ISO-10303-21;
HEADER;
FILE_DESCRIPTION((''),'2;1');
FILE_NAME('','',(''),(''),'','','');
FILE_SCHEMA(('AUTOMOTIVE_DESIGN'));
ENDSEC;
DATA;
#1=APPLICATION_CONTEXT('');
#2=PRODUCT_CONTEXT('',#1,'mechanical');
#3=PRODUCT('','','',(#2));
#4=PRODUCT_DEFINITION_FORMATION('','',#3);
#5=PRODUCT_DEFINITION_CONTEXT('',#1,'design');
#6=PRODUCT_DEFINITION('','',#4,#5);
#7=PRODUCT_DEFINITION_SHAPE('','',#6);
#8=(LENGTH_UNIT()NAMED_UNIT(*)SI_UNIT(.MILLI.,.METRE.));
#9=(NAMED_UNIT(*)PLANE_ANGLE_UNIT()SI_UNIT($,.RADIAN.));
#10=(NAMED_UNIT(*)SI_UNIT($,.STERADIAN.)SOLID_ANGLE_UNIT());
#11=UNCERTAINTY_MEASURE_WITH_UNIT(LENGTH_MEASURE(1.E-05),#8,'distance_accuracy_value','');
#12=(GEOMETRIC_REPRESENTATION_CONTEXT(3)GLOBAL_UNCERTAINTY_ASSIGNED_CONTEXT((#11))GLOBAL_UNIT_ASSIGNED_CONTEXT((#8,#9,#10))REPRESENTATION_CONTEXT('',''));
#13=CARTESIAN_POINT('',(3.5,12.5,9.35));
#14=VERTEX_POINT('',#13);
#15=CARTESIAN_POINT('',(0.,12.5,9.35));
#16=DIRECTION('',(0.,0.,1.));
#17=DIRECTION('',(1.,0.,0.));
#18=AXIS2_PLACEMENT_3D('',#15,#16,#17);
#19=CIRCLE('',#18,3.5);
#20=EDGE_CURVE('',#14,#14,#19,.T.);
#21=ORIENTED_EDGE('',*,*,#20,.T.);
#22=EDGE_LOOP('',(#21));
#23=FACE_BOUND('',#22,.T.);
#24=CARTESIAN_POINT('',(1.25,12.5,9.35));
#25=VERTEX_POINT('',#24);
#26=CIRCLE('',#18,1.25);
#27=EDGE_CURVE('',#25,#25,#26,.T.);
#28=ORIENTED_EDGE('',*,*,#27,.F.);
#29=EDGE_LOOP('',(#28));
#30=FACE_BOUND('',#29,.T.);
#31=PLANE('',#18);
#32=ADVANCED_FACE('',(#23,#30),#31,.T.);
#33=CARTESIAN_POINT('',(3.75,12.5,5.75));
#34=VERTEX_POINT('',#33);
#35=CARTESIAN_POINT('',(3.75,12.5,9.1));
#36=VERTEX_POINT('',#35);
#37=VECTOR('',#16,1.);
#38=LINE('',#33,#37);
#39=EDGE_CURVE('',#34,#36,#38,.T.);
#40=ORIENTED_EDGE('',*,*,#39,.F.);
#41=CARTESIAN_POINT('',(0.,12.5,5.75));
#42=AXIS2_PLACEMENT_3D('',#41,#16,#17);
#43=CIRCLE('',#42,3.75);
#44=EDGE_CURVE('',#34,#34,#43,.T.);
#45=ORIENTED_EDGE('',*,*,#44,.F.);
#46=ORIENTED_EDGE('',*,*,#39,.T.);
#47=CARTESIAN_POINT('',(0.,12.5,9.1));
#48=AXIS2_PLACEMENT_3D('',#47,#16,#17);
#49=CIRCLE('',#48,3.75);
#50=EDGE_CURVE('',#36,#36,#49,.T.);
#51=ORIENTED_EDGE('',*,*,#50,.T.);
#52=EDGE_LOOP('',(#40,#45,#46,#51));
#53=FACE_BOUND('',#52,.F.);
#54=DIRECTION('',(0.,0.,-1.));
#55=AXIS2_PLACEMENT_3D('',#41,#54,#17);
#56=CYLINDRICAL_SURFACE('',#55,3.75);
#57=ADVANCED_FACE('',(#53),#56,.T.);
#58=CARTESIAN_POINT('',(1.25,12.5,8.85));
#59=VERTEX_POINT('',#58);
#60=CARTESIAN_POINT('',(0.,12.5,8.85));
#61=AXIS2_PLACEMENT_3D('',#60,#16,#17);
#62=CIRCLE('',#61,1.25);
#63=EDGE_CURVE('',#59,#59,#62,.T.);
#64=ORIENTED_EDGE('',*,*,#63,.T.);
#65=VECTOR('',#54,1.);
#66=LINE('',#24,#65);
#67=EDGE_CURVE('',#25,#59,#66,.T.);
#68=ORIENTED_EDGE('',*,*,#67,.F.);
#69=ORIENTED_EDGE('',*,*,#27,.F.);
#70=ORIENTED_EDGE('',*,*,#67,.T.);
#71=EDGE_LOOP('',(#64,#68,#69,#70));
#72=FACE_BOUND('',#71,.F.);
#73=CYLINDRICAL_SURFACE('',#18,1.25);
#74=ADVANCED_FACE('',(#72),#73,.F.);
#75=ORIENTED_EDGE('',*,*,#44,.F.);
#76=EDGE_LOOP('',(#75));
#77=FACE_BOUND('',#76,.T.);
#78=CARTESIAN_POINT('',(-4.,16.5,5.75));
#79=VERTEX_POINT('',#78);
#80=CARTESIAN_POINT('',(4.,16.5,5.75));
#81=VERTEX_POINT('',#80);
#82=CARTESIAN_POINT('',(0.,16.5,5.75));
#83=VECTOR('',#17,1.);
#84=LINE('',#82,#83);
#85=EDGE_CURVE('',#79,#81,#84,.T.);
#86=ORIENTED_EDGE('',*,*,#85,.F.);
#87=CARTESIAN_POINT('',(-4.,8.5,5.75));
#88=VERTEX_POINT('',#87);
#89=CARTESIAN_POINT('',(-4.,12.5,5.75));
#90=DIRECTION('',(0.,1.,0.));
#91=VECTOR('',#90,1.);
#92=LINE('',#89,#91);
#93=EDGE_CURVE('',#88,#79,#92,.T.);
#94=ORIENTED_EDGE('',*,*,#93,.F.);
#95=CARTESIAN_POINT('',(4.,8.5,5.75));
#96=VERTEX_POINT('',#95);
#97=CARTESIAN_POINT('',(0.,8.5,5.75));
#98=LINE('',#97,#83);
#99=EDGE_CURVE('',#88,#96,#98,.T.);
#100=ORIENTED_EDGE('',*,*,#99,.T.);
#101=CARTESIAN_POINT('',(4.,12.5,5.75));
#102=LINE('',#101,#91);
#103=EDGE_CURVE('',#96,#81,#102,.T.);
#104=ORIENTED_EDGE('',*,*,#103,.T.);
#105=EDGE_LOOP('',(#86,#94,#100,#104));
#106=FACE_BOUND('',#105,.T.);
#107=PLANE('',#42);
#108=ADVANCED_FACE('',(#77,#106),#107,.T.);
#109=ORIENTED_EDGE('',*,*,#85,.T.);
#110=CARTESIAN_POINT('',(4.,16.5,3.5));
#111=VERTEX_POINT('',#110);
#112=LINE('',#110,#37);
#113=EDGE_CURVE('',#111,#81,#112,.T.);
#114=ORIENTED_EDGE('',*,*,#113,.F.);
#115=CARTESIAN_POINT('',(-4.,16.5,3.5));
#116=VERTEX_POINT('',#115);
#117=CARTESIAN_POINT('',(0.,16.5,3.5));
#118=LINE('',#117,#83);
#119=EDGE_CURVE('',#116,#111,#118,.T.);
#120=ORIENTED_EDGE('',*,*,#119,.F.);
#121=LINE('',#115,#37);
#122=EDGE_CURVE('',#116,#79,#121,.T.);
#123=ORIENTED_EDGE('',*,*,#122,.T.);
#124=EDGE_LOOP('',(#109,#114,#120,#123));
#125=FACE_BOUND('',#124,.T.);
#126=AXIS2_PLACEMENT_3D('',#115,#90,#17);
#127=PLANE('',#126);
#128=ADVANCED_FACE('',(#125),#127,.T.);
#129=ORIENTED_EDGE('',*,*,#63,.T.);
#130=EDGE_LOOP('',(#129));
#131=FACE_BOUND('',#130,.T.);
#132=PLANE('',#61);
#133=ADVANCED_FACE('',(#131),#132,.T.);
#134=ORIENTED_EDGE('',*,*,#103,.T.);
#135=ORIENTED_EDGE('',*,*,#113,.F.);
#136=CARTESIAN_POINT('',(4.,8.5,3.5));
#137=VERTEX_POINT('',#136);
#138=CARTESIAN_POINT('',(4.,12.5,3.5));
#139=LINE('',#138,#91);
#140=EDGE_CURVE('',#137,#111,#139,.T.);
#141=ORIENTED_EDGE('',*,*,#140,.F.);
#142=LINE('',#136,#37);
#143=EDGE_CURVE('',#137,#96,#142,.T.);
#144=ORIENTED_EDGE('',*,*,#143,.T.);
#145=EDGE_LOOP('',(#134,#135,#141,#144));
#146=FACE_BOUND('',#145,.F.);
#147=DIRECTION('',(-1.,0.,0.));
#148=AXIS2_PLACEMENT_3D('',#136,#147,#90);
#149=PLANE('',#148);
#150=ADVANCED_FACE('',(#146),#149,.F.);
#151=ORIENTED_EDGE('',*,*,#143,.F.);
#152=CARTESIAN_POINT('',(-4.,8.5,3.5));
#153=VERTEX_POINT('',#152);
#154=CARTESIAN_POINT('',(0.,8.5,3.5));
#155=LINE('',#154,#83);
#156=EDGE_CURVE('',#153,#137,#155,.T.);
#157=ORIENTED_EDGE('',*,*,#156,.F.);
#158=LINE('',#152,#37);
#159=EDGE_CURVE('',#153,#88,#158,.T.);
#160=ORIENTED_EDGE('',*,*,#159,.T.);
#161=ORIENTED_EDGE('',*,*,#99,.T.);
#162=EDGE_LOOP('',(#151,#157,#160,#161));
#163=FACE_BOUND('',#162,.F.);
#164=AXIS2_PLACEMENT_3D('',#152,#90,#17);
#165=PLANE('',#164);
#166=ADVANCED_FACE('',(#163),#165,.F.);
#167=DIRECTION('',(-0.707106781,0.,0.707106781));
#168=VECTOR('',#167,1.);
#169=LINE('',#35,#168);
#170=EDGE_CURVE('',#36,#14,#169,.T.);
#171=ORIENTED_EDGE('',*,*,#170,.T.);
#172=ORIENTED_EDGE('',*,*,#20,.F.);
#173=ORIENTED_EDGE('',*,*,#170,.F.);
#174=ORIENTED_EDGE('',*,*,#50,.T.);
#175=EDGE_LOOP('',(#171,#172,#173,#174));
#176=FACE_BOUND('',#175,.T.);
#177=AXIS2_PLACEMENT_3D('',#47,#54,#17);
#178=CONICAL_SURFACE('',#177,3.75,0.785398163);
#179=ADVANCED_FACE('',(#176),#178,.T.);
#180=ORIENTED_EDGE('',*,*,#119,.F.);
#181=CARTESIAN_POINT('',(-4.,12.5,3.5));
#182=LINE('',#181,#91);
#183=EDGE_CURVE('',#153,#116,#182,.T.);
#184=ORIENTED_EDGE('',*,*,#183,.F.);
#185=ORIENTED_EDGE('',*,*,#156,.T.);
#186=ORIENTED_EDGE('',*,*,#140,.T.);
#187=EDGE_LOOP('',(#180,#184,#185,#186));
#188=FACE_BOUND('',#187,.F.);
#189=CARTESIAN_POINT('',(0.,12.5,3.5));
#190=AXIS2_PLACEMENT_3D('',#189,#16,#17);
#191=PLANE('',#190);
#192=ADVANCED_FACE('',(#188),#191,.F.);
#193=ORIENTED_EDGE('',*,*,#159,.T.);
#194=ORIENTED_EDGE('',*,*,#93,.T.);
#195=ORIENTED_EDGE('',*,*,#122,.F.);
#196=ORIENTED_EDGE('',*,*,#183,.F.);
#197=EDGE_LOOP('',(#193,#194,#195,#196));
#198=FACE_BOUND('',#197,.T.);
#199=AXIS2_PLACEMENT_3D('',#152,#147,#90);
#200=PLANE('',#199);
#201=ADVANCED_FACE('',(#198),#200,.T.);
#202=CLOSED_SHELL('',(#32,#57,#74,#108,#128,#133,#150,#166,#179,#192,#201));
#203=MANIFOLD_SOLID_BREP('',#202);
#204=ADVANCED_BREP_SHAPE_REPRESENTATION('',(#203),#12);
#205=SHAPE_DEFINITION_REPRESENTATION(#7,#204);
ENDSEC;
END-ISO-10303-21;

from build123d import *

# Parameters (mm, degrees)
SKETCH005_W     = 8
SKETCH005_H     = 8
PAD003_DEPTH    = 2.25
SKETCH006_R     = 3.75
PAD004_DEPTH    = 3.6
SKETCH007_R     = 1.25
POCKET001_DEPTH = 0.5
CHAMFER001_SIZE = 0.25


with BuildPart() as part:
    # Sketch005 (on Face1 of CopyThickness) → Pad003 (new body)
    with BuildSketch(Plane.XY.offset(3.5)):
        with Locations((0, 12.5)):
            Rectangle(SKETCH005_W, SKETCH005_H)
    extrude(amount=PAD003_DEPTH)

    # Sketch006 (on Face6 of Pad003) → Pad004 (join)
    with BuildSketch(Plane.XY.offset(5.75)):
        with Locations((0, 12.5)):
            Circle(SKETCH006_R)
    extrude(amount=PAD004_DEPTH)

    # Sketch007 (on Face8 of Pad004) → Pocket001 (cut)
    with BuildSketch(Plane.XY.offset(9.35)):
        with Locations((0, 12.5)):
            Circle(SKETCH007_R)
    extrude(amount=-POCKET001_DEPTH, mode=Mode.SUBTRACT)

    # Chamfer001
    chamfer001_edges = [part.edges().sort_by_distance(p)[0] for p in [
        (-3.75, 12.5, 9.35),
    ]]
    chamfer(chamfer001_edges, length=CHAMFER001_SIZE)


solid = part.part
